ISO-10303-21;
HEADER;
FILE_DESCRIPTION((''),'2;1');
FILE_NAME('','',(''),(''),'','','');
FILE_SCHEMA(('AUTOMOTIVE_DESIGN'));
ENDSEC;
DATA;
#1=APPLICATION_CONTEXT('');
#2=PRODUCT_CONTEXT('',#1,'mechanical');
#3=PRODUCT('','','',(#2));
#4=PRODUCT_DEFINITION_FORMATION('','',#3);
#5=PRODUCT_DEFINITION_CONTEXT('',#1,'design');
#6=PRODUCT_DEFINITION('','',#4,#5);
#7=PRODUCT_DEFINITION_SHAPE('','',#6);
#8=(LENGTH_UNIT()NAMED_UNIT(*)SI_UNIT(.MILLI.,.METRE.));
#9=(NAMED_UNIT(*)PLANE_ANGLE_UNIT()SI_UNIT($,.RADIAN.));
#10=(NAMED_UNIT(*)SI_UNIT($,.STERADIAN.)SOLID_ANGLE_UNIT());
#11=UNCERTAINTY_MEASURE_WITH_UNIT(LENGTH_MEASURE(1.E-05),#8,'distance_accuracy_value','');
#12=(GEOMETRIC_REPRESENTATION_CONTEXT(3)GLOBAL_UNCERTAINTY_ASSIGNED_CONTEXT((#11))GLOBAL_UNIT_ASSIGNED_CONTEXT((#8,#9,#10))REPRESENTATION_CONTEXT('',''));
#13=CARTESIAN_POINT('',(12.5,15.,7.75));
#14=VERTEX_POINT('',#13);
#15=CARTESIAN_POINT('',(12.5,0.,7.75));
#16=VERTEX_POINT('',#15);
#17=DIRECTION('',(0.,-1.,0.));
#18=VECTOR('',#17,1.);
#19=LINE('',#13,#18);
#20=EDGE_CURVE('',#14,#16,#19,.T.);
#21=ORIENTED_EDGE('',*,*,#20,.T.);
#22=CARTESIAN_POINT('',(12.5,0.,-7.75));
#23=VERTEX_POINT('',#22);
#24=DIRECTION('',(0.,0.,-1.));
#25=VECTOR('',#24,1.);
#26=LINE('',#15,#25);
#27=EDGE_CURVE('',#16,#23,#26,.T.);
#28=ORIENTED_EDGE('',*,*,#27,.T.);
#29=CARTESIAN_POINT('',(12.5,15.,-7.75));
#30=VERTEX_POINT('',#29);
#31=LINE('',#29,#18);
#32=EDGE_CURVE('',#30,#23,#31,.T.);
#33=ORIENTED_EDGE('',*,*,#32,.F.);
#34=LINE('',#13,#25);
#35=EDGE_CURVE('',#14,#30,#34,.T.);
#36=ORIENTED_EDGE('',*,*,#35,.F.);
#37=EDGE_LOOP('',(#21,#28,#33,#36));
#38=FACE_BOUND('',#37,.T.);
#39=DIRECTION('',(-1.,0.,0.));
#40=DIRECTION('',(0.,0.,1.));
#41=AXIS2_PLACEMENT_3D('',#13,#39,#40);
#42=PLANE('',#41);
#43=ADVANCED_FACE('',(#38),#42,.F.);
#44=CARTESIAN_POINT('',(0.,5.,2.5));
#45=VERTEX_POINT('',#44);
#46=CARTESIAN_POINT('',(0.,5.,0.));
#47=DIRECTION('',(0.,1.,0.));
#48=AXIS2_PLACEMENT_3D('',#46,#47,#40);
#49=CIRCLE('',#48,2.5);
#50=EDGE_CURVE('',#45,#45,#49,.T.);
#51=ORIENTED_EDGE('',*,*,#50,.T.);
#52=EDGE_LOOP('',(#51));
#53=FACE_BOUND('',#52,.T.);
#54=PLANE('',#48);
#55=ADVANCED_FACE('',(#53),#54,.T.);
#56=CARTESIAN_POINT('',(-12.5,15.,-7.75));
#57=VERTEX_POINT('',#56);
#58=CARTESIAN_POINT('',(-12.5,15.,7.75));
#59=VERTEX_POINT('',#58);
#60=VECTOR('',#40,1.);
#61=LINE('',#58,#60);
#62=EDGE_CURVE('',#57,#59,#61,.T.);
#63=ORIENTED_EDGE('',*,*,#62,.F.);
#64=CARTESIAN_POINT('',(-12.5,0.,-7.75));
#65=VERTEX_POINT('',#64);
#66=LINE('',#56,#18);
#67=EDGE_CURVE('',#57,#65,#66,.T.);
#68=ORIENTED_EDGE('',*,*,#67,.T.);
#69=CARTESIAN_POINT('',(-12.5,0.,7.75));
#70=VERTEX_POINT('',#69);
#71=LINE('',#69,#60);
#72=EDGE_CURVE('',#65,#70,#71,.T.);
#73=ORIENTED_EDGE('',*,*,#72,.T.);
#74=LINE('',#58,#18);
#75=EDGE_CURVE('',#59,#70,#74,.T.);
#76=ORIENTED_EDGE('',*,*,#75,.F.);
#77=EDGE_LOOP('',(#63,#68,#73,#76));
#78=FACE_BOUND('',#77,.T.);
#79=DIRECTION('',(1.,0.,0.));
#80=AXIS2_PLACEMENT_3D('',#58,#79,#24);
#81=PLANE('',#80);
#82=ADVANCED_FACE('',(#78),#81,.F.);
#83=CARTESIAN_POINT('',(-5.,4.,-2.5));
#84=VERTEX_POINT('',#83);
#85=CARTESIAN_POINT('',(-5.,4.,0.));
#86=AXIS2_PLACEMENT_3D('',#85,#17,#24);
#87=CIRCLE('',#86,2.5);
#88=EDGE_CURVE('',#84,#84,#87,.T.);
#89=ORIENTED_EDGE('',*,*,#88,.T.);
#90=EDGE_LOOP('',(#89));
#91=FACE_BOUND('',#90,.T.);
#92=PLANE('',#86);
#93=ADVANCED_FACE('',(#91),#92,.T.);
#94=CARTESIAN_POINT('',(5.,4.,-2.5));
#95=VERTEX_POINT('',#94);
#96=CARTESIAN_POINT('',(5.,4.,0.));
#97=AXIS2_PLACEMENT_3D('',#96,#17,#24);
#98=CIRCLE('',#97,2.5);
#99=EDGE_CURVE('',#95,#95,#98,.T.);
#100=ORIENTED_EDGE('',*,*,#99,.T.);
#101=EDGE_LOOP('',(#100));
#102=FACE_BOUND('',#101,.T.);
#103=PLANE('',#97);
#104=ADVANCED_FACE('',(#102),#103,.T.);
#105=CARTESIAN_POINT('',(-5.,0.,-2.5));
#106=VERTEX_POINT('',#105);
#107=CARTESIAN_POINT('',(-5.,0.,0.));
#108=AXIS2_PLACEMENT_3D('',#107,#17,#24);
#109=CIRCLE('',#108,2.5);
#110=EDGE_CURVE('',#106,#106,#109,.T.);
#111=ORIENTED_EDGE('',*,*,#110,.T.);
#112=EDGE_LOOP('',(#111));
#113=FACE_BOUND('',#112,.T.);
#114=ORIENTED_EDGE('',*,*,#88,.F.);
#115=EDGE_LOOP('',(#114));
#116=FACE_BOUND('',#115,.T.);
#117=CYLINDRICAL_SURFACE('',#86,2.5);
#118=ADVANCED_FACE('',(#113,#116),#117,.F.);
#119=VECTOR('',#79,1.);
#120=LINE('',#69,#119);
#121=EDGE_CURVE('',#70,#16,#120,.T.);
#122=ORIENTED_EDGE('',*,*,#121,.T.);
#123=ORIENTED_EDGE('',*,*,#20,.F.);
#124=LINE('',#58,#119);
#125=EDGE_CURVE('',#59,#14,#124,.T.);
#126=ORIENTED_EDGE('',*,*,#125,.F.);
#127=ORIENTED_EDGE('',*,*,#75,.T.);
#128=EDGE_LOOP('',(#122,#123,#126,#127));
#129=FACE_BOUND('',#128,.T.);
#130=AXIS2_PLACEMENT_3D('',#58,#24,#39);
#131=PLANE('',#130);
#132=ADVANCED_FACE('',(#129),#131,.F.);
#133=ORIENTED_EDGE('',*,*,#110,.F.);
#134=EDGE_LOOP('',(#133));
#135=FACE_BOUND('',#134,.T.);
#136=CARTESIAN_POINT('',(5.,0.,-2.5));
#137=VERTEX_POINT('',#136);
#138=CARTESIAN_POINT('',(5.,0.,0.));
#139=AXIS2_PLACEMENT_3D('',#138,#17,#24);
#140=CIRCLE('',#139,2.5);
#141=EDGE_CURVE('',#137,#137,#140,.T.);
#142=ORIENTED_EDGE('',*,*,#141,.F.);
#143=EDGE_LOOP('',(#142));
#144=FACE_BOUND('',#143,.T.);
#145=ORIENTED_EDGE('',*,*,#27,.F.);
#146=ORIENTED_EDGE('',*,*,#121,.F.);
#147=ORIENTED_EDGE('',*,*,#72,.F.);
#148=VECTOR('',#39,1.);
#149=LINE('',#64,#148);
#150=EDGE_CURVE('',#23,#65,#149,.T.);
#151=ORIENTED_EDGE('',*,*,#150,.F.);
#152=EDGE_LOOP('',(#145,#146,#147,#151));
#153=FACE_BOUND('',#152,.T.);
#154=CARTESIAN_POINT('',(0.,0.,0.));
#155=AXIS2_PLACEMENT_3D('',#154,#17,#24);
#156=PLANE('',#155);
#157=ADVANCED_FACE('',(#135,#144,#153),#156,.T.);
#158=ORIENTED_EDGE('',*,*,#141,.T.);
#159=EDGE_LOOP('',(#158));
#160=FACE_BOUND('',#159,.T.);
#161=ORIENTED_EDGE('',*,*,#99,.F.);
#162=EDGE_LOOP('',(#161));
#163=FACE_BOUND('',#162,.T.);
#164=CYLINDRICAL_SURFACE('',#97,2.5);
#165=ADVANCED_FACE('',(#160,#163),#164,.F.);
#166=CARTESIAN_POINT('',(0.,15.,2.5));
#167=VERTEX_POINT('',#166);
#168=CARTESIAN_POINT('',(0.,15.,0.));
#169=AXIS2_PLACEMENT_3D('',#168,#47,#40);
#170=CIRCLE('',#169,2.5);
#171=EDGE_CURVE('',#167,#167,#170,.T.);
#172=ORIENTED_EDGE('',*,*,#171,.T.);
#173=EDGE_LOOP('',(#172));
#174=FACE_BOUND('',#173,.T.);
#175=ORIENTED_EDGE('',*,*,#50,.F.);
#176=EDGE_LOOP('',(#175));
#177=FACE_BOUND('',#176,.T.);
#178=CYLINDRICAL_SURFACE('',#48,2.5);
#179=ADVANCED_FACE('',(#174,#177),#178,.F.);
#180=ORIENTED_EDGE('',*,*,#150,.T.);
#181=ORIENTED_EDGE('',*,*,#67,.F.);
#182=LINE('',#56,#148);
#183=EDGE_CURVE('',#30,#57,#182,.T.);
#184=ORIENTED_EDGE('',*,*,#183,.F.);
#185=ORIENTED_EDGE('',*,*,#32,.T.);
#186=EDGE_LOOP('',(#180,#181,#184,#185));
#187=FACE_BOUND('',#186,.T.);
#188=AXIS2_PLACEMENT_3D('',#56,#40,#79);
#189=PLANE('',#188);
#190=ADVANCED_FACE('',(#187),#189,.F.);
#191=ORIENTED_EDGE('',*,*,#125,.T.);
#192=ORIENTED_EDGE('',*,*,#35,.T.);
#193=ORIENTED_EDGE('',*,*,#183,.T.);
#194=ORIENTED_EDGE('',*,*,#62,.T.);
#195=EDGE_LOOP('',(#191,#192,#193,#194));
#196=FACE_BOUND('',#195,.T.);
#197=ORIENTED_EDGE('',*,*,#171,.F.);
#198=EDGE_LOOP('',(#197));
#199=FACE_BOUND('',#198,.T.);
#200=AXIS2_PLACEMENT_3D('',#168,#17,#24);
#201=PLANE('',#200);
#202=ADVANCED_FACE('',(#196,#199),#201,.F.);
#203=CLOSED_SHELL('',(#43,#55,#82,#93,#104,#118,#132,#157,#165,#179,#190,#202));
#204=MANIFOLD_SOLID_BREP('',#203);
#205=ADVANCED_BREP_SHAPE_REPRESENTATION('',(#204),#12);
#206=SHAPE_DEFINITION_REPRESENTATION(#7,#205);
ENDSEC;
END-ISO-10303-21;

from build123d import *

# Parameters (mm, degrees)
SKETCH1_W           = 25
SKETCH1_H           = 15.5
BOSS_EXTRUDE1_DEPTH = 15
SKETCH2_R           = 2.5
CUT_EXTRUDE1_DEPTH  = 10
SKETCH4_R           = 2.5
CUT_EXTRUDE3_DEPTH  = 4
SKETCH5_R           = 2.5
CUT_EXTRUDE4_DEPTH  = 4


with BuildPart() as part:
    # Sketch1 → Boss-Extrude1 (new body)
    with BuildSketch(Plane(origin=(0, 0, 0), x_dir=(1, 0, 0), z_dir=(0, 1, 0))):
        Rectangle(SKETCH1_W, SKETCH1_H)
    extrude(amount=BOSS_EXTRUDE1_DEPTH)

    # Sketch2 → Cut-Extrude1 (cut)
    with BuildSketch(Plane(origin=(0, 15, 0), x_dir=(1, 0, 0), z_dir=(0, 1, 0))):
        Circle(SKETCH2_R)
    extrude(amount=-CUT_EXTRUDE1_DEPTH, mode=Mode.SUBTRACT)

    # Sketch4 → Cut-Extrude3 (cut)
    with BuildSketch(Plane.XZ):
        with Locations((5, 0)):
            Circle(SKETCH4_R)
    extrude(amount=-CUT_EXTRUDE3_DEPTH, mode=Mode.SUBTRACT)

    # Sketch5 → Cut-Extrude4 (cut)
    with BuildSketch(Plane.XZ):
        with Locations((-5, 0)):
            Circle(SKETCH5_R)
    extrude(amount=-CUT_EXTRUDE4_DEPTH, mode=Mode.SUBTRACT)


solid = part.part
